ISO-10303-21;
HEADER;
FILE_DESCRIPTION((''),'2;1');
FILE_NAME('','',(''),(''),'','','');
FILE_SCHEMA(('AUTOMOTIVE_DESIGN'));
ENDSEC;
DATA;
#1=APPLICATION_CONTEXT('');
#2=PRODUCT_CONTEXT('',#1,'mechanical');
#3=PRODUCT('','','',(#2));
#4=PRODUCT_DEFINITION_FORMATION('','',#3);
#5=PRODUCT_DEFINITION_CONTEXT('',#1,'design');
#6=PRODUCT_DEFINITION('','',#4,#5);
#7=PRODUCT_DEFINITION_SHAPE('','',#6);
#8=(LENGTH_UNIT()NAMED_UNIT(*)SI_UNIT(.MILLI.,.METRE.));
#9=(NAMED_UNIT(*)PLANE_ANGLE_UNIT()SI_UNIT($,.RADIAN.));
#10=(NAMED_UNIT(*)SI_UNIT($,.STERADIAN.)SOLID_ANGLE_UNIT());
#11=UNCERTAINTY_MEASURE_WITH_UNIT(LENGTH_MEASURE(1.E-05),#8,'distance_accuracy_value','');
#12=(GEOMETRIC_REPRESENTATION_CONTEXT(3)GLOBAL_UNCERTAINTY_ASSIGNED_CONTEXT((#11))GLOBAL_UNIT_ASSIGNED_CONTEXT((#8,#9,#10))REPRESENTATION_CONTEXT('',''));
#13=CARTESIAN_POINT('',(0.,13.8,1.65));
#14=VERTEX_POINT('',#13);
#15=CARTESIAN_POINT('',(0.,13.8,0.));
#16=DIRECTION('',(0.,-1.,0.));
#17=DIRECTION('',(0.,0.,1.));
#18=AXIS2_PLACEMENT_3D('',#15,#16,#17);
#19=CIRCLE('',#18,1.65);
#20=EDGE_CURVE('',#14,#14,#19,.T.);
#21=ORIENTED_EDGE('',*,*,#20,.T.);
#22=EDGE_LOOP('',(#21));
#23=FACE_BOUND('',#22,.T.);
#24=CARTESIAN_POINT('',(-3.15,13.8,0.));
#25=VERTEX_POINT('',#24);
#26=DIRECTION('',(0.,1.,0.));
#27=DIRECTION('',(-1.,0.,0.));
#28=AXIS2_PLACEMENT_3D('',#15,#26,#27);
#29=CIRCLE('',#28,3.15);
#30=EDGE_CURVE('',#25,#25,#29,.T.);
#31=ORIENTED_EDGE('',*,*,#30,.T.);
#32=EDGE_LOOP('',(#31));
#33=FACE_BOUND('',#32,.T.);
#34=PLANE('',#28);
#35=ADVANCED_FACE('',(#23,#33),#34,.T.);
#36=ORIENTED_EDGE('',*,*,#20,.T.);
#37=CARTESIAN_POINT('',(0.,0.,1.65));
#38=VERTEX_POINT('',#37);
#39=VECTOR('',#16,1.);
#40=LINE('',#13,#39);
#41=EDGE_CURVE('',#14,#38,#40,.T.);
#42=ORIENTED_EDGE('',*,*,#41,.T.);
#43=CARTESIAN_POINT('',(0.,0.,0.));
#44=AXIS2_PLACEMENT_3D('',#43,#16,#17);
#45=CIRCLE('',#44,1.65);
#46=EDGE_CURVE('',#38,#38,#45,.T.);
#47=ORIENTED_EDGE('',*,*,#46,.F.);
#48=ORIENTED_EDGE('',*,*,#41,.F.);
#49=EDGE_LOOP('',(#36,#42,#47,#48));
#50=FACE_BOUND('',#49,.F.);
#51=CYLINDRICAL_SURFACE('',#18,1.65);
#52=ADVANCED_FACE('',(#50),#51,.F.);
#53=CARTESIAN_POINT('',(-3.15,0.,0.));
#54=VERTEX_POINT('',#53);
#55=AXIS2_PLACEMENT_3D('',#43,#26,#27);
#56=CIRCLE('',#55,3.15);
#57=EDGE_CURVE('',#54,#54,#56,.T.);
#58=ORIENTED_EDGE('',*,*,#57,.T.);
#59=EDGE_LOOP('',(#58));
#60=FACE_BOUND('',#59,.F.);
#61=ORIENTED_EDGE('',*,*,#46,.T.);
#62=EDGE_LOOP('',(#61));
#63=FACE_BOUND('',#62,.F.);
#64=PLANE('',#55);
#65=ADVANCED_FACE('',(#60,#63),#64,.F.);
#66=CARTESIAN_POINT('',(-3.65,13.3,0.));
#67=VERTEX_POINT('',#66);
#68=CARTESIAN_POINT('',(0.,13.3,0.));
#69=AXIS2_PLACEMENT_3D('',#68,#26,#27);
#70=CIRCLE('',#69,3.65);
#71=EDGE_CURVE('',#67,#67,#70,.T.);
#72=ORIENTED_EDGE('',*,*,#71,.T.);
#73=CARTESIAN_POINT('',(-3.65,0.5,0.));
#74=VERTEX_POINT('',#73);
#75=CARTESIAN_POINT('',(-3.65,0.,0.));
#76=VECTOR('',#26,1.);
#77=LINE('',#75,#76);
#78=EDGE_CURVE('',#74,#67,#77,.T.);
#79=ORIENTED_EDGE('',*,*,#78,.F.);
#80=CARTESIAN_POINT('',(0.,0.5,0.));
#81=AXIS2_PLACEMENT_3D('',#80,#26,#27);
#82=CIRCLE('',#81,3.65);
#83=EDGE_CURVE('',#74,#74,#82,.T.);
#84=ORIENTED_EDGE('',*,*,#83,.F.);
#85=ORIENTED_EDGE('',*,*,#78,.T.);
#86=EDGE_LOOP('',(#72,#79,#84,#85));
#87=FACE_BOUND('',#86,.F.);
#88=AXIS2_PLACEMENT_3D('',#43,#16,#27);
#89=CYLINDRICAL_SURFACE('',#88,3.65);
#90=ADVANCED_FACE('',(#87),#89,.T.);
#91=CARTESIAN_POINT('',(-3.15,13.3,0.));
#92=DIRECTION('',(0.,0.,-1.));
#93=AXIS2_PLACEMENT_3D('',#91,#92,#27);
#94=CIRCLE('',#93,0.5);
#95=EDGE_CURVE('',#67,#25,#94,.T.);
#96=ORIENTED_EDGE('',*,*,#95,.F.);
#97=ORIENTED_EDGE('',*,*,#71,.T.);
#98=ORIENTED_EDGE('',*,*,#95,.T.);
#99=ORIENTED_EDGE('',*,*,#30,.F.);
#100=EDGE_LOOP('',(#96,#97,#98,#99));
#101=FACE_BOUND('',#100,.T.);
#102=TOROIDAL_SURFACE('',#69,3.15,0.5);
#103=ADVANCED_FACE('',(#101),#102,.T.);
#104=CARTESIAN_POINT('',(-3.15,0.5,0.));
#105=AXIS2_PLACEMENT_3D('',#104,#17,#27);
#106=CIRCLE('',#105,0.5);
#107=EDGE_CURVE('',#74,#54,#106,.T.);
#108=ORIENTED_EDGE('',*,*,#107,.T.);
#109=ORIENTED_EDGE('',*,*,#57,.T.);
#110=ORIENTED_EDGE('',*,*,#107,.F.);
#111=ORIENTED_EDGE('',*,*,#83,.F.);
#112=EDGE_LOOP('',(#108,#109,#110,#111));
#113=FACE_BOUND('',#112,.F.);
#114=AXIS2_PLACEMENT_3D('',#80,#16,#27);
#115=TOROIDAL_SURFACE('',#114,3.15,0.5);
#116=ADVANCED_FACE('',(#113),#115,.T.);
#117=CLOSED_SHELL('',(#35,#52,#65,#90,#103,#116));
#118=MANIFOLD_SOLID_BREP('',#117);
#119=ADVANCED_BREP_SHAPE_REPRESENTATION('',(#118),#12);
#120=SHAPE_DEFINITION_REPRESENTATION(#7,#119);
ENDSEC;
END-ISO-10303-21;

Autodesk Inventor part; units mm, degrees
ref_plane "YZ Plane" through (0, 0, 0) normal (1, 0, 0) x (0, 1, 0)
ref_plane "XZ Plane" through (0, 0, 0) normal (0, 1, 0) x (-1, 0, 0)
ref_plane "XY Plane" through (0, 0, 0) normal (0, 0, 1) x (1, 0, 0)
sketch "スケッチ1" plane through (0, 0, 0) normal (0, 1, 0) x (-1, 0, 0)
  circle A0 centre (0, 0) radius 3.65
  dimension "d0" = 7.3
extrude "押し出し1" add sketch "スケッチ1" along normal blind 13.8
sketch "スケッチ2" plane through (0, 13.8, 0) normal (0, 1, 0) x (1, 0, 0)
  point P0 (0, 0)
  point P1 (0, 0)
hole "穴1" at (0, 13.8, 0) direction (0, -1, 0) diameter 3.3 end through all
fillet "フィレット1" radius 0.5 2 edges at (3.65, 0, 0) (3.65, 13.8, 0)
properties part number "spacer_for_frame"
